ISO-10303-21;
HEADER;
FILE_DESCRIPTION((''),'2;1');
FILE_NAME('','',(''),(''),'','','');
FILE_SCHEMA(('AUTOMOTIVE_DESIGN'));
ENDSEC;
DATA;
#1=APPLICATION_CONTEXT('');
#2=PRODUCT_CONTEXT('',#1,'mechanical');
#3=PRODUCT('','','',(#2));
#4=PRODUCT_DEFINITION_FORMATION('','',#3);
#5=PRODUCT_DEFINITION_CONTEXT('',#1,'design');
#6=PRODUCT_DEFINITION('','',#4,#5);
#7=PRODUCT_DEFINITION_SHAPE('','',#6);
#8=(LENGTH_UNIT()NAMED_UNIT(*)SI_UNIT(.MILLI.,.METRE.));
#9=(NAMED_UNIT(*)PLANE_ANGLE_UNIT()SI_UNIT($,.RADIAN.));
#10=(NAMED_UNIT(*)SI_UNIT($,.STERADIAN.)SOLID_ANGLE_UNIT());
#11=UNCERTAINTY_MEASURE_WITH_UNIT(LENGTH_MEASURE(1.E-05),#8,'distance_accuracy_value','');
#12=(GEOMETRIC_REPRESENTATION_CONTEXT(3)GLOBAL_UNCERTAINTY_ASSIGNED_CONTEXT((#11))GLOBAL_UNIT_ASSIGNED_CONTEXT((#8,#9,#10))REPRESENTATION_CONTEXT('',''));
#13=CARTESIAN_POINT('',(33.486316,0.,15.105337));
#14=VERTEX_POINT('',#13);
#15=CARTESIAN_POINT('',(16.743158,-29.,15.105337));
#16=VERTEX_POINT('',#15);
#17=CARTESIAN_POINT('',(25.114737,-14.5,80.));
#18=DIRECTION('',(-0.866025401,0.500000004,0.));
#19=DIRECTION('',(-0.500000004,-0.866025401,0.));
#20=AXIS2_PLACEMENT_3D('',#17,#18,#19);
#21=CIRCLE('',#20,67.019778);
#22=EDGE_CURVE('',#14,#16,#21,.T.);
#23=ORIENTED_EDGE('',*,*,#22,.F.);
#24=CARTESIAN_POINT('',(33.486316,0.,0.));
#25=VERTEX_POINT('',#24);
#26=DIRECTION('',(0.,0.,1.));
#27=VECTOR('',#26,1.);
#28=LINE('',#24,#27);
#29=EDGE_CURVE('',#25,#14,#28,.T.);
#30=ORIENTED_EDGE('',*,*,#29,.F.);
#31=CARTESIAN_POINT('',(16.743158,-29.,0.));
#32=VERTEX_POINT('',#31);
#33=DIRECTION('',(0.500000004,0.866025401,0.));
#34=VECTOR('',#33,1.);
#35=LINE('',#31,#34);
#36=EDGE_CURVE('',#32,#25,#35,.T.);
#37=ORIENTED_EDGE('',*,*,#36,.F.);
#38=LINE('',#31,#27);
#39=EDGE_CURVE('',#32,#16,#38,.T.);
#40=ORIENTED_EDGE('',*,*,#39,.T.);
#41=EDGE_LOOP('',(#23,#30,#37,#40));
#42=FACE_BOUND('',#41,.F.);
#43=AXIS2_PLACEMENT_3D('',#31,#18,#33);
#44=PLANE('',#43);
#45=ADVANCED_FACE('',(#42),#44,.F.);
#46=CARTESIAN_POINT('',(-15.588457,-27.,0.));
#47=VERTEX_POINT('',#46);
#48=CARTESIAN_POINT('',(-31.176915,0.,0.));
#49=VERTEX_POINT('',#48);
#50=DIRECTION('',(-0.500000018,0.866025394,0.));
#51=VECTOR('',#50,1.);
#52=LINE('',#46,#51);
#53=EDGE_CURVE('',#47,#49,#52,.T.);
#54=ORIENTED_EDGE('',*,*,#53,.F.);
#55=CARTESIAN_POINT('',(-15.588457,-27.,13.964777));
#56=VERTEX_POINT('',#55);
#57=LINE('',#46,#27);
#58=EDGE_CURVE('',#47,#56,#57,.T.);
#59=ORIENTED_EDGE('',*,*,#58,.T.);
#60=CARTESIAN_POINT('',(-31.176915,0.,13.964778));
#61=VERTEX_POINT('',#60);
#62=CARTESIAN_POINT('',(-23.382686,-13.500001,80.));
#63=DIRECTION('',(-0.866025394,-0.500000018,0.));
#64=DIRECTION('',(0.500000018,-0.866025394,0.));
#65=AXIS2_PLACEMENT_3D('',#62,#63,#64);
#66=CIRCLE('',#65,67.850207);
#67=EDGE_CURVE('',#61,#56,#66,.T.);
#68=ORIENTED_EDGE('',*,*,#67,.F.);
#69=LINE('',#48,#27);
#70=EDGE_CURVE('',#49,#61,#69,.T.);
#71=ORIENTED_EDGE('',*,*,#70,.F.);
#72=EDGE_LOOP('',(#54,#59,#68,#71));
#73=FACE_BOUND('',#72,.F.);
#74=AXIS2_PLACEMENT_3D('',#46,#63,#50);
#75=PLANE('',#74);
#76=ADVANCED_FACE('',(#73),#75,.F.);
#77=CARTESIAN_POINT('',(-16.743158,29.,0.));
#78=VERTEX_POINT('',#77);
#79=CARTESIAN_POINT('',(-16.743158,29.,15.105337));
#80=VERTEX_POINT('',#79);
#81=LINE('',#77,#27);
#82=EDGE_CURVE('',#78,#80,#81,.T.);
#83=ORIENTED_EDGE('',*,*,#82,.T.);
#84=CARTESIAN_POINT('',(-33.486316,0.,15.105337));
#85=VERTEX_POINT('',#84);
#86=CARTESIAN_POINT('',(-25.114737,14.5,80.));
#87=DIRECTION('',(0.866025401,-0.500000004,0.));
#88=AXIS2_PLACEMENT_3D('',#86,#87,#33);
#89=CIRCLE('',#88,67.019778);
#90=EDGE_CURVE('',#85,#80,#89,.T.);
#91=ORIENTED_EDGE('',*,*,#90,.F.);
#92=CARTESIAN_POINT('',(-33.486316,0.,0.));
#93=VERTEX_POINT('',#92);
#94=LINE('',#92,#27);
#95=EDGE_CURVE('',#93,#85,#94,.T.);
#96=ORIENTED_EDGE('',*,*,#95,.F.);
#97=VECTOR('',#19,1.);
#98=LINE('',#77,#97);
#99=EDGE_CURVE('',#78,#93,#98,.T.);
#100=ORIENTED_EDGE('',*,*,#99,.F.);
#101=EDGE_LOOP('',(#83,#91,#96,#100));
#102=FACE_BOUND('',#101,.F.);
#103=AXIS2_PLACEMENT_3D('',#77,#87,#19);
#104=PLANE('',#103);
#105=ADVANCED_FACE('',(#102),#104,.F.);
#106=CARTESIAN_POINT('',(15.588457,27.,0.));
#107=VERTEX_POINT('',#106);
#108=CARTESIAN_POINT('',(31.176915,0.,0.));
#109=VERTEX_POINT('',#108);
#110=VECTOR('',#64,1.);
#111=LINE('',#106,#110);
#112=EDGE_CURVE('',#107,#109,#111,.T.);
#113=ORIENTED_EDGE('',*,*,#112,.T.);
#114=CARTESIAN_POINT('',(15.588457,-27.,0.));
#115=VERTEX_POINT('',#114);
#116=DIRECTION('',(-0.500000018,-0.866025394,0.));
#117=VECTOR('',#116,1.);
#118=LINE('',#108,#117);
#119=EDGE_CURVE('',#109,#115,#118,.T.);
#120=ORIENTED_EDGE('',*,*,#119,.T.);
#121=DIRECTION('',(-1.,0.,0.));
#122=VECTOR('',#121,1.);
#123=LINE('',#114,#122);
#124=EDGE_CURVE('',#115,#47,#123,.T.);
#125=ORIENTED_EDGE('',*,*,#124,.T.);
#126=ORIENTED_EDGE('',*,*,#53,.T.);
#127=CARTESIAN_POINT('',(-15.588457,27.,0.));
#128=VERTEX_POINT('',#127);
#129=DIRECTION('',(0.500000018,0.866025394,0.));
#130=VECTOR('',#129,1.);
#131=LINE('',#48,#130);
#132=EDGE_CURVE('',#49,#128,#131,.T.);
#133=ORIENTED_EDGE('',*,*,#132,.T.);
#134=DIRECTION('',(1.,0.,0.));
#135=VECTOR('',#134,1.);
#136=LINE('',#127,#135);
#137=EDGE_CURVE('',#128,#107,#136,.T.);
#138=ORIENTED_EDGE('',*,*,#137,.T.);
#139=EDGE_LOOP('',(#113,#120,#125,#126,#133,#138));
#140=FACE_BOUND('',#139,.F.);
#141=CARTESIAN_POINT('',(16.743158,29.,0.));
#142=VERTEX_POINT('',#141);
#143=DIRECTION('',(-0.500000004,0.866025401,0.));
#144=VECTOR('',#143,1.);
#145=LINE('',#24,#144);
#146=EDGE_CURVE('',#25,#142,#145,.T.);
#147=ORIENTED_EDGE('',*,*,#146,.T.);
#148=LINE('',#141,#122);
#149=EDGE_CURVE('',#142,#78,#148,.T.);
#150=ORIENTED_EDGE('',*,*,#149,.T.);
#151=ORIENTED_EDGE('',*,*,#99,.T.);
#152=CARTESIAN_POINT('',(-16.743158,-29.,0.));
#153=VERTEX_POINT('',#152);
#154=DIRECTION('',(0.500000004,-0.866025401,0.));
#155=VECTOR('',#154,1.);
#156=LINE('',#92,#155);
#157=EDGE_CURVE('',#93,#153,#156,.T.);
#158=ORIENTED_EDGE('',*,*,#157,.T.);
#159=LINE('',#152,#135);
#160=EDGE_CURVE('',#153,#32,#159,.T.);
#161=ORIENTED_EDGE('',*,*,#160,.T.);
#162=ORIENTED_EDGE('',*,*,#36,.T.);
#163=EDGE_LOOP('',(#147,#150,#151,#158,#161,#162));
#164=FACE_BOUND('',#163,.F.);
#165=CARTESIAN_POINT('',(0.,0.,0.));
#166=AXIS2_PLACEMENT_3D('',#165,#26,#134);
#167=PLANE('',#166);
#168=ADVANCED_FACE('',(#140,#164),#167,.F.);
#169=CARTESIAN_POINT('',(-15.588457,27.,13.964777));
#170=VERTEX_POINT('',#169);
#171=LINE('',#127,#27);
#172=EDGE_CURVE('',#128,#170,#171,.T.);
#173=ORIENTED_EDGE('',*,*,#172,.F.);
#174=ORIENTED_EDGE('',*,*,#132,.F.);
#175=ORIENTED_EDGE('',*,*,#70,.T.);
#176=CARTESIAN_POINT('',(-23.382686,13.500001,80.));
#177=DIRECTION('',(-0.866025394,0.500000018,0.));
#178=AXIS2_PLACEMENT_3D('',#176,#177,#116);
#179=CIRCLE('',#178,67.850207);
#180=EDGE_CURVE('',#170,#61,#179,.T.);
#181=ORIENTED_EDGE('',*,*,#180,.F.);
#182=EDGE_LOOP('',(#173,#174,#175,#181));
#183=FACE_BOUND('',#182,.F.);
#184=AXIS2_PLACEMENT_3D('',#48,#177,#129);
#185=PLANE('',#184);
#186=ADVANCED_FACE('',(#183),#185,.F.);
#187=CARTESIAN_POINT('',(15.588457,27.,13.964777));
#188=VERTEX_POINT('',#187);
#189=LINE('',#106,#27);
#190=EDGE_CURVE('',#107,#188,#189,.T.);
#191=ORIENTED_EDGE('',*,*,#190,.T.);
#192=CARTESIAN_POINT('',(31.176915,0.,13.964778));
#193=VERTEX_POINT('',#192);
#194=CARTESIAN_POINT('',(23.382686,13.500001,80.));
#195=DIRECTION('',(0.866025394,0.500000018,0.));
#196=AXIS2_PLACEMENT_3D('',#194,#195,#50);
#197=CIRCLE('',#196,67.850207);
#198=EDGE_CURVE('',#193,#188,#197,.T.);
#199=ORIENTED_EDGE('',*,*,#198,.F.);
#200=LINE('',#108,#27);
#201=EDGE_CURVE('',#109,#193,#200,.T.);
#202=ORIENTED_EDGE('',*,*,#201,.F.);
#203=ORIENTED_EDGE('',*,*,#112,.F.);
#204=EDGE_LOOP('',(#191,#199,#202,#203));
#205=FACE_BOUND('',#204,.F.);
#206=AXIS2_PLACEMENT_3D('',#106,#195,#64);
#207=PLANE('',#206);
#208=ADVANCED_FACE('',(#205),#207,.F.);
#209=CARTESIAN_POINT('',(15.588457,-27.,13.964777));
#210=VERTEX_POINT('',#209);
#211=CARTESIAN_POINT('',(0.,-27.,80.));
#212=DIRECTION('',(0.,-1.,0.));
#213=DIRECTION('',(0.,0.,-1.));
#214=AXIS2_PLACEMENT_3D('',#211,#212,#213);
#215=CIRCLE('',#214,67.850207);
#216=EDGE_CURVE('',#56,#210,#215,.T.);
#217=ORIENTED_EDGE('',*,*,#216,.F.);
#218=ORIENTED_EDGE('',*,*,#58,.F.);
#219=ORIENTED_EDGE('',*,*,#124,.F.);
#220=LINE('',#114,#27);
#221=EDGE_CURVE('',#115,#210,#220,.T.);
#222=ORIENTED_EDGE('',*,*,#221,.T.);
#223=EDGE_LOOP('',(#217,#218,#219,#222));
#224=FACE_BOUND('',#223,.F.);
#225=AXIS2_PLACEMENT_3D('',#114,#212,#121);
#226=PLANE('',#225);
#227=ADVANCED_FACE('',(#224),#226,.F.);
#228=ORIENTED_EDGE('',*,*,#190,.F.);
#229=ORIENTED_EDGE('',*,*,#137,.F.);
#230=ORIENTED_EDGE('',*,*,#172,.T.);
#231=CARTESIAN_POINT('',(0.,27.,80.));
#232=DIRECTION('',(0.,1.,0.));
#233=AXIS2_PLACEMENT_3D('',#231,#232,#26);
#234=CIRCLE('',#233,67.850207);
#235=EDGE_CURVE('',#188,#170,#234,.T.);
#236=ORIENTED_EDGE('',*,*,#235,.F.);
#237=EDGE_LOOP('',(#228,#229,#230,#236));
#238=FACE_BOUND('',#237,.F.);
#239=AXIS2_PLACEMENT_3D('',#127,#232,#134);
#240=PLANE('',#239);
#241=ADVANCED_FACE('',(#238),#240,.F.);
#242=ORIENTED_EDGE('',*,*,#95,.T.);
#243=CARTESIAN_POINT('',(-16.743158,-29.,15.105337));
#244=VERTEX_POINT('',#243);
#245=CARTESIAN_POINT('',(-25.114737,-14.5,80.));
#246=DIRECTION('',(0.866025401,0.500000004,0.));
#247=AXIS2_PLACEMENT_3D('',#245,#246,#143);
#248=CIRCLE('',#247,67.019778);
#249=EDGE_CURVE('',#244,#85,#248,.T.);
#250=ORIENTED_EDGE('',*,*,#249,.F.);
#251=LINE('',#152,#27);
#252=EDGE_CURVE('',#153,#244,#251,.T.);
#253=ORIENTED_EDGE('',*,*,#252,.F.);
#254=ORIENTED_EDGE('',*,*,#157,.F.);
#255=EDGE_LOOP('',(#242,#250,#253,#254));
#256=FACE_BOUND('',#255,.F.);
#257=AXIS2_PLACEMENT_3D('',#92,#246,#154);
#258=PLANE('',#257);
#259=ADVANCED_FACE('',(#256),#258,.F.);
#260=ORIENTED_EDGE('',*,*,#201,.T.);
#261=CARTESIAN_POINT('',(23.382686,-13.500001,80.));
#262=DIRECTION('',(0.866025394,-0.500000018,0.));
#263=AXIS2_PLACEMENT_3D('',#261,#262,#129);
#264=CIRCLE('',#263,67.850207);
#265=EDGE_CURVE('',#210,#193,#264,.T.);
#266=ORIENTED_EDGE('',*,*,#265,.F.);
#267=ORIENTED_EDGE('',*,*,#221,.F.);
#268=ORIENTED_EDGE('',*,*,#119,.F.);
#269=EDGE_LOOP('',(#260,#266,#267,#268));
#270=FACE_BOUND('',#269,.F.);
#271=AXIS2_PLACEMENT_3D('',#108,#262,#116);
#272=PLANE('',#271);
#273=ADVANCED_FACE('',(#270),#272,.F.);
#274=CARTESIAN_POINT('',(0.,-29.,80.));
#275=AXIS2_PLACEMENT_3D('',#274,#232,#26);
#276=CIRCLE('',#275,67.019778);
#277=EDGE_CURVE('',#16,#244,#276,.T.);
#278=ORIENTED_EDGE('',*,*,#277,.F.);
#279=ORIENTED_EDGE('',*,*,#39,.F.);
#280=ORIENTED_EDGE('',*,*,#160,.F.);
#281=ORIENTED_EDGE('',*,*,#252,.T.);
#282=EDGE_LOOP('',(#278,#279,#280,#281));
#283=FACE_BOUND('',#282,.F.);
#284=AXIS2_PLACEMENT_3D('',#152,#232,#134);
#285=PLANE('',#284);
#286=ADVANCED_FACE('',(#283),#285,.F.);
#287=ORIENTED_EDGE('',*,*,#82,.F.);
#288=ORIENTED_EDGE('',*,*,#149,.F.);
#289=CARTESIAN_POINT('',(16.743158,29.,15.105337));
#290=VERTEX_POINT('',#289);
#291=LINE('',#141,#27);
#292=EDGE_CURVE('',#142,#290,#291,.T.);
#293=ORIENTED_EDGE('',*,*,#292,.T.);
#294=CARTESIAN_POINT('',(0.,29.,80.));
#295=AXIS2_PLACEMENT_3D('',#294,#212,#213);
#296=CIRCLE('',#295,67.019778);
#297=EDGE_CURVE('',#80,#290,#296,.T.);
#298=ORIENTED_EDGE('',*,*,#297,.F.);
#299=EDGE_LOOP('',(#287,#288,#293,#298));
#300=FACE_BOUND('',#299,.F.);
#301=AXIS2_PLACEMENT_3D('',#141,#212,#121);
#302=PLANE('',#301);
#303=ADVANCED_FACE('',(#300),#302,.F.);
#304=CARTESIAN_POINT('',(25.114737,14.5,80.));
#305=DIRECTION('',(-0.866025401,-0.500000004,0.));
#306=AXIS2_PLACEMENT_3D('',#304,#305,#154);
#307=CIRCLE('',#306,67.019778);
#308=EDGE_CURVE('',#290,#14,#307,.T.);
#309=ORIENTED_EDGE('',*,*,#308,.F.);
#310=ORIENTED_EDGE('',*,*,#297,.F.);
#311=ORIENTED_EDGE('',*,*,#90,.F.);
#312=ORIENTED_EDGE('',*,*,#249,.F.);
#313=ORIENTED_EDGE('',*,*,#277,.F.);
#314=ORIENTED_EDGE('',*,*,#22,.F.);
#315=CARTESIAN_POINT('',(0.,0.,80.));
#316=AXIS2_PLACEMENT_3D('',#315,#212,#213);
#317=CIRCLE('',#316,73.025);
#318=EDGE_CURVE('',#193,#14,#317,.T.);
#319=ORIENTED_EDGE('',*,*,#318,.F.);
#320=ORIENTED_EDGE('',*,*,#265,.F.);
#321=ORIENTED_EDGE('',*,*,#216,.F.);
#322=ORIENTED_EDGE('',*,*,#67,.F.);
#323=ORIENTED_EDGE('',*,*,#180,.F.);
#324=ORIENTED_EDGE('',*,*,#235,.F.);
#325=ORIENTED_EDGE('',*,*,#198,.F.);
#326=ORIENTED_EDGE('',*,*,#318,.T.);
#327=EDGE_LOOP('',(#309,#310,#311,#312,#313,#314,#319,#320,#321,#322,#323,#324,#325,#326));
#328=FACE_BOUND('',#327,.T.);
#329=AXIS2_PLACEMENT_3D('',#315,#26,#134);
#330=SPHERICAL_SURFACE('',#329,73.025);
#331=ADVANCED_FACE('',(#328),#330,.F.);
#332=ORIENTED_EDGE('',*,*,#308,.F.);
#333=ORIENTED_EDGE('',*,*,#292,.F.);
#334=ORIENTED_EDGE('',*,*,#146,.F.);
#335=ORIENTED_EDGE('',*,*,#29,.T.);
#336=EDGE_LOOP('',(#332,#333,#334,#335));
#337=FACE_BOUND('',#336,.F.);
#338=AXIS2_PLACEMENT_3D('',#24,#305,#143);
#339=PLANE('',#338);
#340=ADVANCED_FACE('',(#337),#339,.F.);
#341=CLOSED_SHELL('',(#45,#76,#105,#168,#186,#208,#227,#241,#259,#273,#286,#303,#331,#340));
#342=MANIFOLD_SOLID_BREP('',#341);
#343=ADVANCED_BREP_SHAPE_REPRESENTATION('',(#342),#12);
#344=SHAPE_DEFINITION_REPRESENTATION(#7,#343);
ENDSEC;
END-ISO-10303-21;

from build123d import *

# Parameters (mm, degrees)
F2_DEPTH = 25


with BuildPart() as f2:
    # F0 (on Top) → F2 (new body)
    with BuildSketch(Plane.XY):
        Polygon((-16.743158, 29), (-33.486316, 0), (-16.743158, -29), (16.743158, -29), (33.486316, 0), (16.743158, 29), align=None)
        Polygon((-31.176915, 0), (-15.588457, 27), (15.588457, 27), (31.176915, 0), (15.588457, -27), (-15.588457, -27), align=None, mode=Mode.SUBTRACT)
    extrude(amount=F2_DEPTH)

    # F1 (on Front) → F3 (revolve, cut)
    with BuildSketch(Plane.XZ):
        with BuildLine():
            Line((0, 153.025), (0, 6.975))
            ThreePointArc((0, 6.975), (73.025, 80), (0, 153.025))
        make_face()
    revolve(axis=Axis((0, 0, 80.38395), (0, 0, -1)), mode=Mode.SUBTRACT)


solid = f2.part
